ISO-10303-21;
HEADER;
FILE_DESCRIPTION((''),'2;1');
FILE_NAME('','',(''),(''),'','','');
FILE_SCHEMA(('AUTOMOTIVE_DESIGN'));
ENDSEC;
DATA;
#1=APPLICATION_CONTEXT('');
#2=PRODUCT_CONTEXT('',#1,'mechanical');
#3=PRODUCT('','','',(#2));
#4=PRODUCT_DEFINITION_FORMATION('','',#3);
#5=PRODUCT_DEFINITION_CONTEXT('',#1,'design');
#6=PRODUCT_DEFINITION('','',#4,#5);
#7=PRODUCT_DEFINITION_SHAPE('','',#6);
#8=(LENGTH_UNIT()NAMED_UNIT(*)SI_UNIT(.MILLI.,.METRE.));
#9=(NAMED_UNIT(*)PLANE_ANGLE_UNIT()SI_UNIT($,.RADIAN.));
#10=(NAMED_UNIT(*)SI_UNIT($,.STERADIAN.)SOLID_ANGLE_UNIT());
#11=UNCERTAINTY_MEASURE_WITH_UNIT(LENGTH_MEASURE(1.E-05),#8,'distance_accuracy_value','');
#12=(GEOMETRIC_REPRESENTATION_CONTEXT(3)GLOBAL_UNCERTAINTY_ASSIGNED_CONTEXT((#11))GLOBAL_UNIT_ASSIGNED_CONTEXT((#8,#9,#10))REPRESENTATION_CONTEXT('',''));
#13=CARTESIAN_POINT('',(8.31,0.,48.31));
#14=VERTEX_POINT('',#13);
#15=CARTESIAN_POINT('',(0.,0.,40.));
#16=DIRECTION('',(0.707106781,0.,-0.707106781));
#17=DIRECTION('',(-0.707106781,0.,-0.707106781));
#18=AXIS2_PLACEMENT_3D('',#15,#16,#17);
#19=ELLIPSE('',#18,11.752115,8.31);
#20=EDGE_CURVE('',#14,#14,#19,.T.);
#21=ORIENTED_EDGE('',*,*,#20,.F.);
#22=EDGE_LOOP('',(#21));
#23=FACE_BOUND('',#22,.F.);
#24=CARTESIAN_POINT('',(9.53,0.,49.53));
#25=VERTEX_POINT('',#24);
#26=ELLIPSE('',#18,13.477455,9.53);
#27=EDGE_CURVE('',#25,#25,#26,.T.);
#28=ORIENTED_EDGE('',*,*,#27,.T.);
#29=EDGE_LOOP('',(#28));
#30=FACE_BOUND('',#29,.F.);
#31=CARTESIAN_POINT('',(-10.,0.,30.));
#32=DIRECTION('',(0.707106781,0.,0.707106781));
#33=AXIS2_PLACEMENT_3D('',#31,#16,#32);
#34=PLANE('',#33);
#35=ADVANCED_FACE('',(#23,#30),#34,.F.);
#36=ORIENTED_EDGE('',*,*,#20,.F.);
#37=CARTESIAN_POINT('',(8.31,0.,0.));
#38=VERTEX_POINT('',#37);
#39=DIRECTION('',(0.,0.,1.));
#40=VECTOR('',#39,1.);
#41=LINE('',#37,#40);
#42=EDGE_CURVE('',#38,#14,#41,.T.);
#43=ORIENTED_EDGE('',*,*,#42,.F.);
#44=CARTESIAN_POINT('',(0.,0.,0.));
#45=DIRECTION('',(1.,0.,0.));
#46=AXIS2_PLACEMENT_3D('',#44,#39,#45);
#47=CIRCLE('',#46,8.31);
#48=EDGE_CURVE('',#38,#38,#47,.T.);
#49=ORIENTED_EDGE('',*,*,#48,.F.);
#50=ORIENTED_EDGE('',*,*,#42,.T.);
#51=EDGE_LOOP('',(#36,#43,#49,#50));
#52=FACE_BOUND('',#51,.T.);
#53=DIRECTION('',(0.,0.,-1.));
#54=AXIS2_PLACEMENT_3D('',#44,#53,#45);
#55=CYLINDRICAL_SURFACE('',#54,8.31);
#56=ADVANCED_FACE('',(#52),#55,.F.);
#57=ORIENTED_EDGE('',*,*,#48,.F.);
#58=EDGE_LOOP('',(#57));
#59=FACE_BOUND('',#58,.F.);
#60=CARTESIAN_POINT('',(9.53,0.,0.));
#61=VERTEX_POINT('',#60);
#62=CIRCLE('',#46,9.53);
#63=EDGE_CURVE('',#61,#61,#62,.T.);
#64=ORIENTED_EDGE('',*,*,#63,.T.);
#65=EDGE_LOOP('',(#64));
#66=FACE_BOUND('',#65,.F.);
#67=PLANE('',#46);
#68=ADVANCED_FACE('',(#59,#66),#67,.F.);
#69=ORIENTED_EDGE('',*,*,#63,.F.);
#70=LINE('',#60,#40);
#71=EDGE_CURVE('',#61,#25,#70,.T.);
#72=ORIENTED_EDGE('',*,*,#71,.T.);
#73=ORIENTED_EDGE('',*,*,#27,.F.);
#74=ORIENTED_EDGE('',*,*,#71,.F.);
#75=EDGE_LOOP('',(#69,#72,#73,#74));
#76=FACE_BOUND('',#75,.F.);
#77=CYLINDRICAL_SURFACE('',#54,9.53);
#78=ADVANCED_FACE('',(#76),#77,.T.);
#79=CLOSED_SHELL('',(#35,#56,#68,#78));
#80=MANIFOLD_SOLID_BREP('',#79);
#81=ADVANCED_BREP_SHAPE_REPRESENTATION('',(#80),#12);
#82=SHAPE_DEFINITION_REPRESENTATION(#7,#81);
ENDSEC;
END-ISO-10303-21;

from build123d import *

# Parameters (mm, degrees)
F0_R     = 9.53
F0_R_2   = 8.31
F1_DEPTH = 50
F3_DEPTH = 12.5


with BuildPart() as f1:
    # F0 (on Top) → F1 (new body)
    with BuildSketch(Plane.XY):
        Circle(F0_R)
        Circle(F0_R_2, mode=Mode.SUBTRACT)
    extrude(amount=F1_DEPTH)

    # F2 (on Front) → F3 (cut, symmetric)
    with BuildSketch(Plane.XZ):
        Polygon((-10, 30), (10, 50), (-10, 50), align=None)
    extrude(amount=F3_DEPTH, both=True, mode=Mode.SUBTRACT)


solid = f1.part
